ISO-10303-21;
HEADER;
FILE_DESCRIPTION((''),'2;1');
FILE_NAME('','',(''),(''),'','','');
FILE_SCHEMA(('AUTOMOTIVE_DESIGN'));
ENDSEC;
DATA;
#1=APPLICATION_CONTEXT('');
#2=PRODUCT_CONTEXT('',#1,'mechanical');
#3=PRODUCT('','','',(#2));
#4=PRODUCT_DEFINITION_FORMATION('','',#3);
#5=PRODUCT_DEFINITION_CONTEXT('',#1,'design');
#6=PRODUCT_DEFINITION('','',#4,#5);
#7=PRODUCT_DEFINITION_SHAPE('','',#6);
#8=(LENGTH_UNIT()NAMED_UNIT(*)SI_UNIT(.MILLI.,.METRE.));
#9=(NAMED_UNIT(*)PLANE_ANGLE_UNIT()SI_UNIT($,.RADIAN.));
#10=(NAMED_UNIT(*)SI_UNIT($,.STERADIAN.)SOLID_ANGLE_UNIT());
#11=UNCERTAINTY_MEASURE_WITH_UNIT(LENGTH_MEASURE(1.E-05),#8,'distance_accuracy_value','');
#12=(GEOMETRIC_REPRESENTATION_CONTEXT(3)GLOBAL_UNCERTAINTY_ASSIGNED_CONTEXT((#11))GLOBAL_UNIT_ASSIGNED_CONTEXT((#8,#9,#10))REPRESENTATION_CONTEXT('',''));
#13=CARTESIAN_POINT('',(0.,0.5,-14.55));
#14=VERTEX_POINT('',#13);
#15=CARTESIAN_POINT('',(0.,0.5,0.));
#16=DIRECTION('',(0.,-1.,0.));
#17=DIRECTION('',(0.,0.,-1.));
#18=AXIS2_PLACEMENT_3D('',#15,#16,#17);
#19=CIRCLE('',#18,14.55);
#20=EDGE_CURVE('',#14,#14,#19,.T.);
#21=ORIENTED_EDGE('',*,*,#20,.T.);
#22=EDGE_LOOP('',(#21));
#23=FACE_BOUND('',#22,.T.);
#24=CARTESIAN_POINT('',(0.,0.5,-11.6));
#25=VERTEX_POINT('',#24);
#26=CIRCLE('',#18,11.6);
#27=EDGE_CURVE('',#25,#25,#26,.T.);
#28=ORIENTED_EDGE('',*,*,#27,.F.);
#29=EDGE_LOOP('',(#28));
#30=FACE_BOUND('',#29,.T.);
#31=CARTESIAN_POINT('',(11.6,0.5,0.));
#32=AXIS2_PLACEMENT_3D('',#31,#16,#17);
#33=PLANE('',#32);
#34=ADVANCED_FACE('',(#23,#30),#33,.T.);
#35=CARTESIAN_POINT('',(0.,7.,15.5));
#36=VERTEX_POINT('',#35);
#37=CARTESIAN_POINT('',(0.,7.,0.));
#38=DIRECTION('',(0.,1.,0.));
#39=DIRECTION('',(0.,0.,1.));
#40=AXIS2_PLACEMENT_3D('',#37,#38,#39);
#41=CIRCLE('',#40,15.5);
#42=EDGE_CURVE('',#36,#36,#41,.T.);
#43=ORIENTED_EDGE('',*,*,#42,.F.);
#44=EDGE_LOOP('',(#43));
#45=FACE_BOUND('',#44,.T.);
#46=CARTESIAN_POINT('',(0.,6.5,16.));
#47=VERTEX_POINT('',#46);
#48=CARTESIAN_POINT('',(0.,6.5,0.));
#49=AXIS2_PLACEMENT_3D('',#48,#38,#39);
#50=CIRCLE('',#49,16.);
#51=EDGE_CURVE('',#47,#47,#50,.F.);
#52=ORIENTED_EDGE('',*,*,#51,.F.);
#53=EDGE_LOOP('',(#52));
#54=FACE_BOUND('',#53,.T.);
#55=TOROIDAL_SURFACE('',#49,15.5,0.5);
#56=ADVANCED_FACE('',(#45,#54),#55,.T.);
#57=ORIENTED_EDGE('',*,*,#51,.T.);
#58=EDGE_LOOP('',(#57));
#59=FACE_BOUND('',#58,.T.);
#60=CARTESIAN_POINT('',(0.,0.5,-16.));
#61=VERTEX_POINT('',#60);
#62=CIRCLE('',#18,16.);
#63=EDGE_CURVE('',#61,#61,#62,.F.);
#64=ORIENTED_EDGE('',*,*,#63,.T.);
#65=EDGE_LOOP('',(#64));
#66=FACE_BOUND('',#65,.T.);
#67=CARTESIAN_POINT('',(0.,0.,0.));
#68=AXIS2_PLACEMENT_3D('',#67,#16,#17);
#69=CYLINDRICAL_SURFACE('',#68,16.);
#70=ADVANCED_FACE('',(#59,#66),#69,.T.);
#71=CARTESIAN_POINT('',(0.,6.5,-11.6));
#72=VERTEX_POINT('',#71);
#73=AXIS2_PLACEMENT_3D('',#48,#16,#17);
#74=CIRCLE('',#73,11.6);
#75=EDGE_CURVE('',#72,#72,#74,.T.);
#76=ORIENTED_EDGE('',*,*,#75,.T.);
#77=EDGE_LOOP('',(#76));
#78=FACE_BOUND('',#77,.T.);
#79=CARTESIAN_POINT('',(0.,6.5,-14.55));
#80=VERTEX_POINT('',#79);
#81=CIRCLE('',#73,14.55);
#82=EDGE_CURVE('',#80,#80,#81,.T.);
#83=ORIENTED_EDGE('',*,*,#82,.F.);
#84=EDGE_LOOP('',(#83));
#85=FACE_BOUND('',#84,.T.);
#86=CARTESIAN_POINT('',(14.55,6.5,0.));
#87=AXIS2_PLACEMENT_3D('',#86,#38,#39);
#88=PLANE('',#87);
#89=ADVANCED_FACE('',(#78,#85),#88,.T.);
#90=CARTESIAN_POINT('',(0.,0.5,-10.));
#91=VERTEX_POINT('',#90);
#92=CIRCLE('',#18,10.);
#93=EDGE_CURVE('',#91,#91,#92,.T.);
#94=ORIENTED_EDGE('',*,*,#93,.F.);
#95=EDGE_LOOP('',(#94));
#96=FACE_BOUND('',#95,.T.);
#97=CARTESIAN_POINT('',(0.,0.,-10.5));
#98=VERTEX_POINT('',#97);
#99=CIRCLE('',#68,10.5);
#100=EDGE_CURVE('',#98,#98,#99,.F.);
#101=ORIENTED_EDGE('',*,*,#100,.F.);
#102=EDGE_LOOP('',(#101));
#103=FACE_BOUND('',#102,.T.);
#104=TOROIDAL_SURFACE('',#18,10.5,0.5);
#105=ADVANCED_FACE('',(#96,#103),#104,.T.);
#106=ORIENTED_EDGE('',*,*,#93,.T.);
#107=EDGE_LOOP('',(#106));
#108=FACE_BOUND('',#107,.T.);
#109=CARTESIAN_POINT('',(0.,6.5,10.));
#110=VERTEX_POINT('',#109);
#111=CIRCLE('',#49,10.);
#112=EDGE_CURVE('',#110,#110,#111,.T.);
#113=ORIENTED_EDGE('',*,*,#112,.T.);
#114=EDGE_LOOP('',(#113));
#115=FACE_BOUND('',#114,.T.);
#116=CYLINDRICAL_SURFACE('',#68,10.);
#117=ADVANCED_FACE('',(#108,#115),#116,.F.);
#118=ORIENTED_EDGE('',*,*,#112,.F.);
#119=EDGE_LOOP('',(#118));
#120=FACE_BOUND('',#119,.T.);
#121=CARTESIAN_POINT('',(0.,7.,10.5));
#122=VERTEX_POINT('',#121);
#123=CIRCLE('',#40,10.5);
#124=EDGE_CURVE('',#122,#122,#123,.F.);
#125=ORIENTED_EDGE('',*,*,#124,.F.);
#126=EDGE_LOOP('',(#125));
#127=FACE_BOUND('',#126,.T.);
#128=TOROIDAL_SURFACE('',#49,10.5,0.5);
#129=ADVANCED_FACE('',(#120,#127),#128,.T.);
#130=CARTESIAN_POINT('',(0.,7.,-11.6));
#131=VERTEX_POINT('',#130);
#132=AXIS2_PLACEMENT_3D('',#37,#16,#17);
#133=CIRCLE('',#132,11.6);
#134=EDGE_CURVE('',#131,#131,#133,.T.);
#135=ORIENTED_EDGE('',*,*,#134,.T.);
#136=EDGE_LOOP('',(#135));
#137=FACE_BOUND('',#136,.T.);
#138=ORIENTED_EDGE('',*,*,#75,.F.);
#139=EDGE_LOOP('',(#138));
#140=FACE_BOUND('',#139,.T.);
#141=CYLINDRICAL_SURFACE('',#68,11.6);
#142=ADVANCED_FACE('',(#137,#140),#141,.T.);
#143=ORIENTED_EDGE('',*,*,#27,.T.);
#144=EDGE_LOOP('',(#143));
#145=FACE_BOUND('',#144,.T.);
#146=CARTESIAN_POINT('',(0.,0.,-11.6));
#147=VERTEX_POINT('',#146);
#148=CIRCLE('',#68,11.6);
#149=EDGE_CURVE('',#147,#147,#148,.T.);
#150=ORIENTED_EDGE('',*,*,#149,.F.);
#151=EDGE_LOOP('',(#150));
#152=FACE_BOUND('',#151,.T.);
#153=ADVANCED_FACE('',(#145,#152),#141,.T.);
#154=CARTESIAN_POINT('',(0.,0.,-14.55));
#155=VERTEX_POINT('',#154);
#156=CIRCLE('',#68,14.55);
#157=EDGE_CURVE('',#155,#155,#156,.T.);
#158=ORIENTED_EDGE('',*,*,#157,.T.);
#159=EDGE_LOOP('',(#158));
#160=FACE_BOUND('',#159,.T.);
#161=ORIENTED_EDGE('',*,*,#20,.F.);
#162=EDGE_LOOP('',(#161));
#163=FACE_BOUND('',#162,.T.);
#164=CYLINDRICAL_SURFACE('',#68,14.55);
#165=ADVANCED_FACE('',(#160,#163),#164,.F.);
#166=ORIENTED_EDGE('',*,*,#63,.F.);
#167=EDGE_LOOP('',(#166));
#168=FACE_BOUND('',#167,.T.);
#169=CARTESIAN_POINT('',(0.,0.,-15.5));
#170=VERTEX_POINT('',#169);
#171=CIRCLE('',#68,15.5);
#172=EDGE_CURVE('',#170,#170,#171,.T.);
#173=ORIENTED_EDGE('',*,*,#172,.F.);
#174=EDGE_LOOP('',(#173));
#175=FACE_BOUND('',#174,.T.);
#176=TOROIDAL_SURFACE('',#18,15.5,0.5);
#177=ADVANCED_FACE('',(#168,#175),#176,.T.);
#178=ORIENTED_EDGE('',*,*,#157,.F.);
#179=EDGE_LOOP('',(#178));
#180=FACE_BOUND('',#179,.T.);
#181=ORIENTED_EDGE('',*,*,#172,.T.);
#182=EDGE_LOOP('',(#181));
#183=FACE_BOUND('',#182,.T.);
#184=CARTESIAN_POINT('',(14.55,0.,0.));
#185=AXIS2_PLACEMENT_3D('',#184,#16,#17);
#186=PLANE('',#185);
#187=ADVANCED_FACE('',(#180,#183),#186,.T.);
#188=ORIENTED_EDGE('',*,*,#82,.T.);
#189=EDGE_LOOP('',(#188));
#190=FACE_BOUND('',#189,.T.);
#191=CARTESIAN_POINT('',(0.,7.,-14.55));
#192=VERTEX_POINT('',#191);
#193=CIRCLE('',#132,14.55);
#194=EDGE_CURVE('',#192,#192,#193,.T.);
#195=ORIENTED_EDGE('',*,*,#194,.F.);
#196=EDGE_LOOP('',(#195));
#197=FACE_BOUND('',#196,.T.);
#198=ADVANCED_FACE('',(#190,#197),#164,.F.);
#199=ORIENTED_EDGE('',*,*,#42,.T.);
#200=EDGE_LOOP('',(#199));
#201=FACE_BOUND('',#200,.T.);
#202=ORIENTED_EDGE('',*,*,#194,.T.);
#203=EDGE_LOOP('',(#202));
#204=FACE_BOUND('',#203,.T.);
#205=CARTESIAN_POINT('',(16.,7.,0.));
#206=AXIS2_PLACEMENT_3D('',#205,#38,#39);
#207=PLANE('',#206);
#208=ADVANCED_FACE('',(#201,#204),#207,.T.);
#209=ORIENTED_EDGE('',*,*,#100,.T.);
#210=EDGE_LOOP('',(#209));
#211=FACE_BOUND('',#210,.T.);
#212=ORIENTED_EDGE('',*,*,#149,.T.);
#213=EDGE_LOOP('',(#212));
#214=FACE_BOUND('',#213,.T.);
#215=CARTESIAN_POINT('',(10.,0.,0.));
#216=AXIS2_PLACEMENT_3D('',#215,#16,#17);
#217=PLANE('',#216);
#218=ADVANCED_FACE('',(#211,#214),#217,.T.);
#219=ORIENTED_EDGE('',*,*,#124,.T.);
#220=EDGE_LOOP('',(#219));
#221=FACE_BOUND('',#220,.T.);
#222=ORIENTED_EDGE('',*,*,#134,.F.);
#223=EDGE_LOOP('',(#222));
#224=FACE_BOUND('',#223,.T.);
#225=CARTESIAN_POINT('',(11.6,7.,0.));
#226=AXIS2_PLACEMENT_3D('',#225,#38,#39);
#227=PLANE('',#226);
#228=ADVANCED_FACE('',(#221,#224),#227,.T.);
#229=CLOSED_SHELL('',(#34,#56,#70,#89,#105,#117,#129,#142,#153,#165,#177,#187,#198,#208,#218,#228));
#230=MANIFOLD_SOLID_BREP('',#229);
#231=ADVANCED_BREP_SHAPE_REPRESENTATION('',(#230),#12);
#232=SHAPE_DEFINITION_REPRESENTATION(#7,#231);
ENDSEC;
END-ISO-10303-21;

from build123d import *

# Parameters (mm, degrees)
VERRUNDUNG1_R = 0.5


with BuildPart() as part:
    # Skizze1 → Rotation1 (revolve)
    with BuildSketch(Plane.XY, mode=Mode.PRIVATE) as rotation1_sk:
        Polygon((10, 0), (11.6, 0), (11.6, 0.5), (14.55, 0.5), (14.55, 0), (16, 0), (16, 7), (14.55, 7), (14.55, 6.5), (11.6, 6.5), (11.6, 7), (10, 7), align=None)
    revolve(rotation1_sk.sketch.rotate(Axis((0, 0, 0), (0, 1, 0)), 90), axis=Axis((0, 0, 0), (0, 1, 0)))

    # Verrundung1
    verrundung1_edges = [part.edges().sort_by_distance(p)[0] for p in [
        (0, 7, 16),
        (0, 0, 16),
        (0, 0, 10),
        (0, 7, 10),
    ]]
    fillet(verrundung1_edges, radius=VERRUNDUNG1_R)


solid = part.part
